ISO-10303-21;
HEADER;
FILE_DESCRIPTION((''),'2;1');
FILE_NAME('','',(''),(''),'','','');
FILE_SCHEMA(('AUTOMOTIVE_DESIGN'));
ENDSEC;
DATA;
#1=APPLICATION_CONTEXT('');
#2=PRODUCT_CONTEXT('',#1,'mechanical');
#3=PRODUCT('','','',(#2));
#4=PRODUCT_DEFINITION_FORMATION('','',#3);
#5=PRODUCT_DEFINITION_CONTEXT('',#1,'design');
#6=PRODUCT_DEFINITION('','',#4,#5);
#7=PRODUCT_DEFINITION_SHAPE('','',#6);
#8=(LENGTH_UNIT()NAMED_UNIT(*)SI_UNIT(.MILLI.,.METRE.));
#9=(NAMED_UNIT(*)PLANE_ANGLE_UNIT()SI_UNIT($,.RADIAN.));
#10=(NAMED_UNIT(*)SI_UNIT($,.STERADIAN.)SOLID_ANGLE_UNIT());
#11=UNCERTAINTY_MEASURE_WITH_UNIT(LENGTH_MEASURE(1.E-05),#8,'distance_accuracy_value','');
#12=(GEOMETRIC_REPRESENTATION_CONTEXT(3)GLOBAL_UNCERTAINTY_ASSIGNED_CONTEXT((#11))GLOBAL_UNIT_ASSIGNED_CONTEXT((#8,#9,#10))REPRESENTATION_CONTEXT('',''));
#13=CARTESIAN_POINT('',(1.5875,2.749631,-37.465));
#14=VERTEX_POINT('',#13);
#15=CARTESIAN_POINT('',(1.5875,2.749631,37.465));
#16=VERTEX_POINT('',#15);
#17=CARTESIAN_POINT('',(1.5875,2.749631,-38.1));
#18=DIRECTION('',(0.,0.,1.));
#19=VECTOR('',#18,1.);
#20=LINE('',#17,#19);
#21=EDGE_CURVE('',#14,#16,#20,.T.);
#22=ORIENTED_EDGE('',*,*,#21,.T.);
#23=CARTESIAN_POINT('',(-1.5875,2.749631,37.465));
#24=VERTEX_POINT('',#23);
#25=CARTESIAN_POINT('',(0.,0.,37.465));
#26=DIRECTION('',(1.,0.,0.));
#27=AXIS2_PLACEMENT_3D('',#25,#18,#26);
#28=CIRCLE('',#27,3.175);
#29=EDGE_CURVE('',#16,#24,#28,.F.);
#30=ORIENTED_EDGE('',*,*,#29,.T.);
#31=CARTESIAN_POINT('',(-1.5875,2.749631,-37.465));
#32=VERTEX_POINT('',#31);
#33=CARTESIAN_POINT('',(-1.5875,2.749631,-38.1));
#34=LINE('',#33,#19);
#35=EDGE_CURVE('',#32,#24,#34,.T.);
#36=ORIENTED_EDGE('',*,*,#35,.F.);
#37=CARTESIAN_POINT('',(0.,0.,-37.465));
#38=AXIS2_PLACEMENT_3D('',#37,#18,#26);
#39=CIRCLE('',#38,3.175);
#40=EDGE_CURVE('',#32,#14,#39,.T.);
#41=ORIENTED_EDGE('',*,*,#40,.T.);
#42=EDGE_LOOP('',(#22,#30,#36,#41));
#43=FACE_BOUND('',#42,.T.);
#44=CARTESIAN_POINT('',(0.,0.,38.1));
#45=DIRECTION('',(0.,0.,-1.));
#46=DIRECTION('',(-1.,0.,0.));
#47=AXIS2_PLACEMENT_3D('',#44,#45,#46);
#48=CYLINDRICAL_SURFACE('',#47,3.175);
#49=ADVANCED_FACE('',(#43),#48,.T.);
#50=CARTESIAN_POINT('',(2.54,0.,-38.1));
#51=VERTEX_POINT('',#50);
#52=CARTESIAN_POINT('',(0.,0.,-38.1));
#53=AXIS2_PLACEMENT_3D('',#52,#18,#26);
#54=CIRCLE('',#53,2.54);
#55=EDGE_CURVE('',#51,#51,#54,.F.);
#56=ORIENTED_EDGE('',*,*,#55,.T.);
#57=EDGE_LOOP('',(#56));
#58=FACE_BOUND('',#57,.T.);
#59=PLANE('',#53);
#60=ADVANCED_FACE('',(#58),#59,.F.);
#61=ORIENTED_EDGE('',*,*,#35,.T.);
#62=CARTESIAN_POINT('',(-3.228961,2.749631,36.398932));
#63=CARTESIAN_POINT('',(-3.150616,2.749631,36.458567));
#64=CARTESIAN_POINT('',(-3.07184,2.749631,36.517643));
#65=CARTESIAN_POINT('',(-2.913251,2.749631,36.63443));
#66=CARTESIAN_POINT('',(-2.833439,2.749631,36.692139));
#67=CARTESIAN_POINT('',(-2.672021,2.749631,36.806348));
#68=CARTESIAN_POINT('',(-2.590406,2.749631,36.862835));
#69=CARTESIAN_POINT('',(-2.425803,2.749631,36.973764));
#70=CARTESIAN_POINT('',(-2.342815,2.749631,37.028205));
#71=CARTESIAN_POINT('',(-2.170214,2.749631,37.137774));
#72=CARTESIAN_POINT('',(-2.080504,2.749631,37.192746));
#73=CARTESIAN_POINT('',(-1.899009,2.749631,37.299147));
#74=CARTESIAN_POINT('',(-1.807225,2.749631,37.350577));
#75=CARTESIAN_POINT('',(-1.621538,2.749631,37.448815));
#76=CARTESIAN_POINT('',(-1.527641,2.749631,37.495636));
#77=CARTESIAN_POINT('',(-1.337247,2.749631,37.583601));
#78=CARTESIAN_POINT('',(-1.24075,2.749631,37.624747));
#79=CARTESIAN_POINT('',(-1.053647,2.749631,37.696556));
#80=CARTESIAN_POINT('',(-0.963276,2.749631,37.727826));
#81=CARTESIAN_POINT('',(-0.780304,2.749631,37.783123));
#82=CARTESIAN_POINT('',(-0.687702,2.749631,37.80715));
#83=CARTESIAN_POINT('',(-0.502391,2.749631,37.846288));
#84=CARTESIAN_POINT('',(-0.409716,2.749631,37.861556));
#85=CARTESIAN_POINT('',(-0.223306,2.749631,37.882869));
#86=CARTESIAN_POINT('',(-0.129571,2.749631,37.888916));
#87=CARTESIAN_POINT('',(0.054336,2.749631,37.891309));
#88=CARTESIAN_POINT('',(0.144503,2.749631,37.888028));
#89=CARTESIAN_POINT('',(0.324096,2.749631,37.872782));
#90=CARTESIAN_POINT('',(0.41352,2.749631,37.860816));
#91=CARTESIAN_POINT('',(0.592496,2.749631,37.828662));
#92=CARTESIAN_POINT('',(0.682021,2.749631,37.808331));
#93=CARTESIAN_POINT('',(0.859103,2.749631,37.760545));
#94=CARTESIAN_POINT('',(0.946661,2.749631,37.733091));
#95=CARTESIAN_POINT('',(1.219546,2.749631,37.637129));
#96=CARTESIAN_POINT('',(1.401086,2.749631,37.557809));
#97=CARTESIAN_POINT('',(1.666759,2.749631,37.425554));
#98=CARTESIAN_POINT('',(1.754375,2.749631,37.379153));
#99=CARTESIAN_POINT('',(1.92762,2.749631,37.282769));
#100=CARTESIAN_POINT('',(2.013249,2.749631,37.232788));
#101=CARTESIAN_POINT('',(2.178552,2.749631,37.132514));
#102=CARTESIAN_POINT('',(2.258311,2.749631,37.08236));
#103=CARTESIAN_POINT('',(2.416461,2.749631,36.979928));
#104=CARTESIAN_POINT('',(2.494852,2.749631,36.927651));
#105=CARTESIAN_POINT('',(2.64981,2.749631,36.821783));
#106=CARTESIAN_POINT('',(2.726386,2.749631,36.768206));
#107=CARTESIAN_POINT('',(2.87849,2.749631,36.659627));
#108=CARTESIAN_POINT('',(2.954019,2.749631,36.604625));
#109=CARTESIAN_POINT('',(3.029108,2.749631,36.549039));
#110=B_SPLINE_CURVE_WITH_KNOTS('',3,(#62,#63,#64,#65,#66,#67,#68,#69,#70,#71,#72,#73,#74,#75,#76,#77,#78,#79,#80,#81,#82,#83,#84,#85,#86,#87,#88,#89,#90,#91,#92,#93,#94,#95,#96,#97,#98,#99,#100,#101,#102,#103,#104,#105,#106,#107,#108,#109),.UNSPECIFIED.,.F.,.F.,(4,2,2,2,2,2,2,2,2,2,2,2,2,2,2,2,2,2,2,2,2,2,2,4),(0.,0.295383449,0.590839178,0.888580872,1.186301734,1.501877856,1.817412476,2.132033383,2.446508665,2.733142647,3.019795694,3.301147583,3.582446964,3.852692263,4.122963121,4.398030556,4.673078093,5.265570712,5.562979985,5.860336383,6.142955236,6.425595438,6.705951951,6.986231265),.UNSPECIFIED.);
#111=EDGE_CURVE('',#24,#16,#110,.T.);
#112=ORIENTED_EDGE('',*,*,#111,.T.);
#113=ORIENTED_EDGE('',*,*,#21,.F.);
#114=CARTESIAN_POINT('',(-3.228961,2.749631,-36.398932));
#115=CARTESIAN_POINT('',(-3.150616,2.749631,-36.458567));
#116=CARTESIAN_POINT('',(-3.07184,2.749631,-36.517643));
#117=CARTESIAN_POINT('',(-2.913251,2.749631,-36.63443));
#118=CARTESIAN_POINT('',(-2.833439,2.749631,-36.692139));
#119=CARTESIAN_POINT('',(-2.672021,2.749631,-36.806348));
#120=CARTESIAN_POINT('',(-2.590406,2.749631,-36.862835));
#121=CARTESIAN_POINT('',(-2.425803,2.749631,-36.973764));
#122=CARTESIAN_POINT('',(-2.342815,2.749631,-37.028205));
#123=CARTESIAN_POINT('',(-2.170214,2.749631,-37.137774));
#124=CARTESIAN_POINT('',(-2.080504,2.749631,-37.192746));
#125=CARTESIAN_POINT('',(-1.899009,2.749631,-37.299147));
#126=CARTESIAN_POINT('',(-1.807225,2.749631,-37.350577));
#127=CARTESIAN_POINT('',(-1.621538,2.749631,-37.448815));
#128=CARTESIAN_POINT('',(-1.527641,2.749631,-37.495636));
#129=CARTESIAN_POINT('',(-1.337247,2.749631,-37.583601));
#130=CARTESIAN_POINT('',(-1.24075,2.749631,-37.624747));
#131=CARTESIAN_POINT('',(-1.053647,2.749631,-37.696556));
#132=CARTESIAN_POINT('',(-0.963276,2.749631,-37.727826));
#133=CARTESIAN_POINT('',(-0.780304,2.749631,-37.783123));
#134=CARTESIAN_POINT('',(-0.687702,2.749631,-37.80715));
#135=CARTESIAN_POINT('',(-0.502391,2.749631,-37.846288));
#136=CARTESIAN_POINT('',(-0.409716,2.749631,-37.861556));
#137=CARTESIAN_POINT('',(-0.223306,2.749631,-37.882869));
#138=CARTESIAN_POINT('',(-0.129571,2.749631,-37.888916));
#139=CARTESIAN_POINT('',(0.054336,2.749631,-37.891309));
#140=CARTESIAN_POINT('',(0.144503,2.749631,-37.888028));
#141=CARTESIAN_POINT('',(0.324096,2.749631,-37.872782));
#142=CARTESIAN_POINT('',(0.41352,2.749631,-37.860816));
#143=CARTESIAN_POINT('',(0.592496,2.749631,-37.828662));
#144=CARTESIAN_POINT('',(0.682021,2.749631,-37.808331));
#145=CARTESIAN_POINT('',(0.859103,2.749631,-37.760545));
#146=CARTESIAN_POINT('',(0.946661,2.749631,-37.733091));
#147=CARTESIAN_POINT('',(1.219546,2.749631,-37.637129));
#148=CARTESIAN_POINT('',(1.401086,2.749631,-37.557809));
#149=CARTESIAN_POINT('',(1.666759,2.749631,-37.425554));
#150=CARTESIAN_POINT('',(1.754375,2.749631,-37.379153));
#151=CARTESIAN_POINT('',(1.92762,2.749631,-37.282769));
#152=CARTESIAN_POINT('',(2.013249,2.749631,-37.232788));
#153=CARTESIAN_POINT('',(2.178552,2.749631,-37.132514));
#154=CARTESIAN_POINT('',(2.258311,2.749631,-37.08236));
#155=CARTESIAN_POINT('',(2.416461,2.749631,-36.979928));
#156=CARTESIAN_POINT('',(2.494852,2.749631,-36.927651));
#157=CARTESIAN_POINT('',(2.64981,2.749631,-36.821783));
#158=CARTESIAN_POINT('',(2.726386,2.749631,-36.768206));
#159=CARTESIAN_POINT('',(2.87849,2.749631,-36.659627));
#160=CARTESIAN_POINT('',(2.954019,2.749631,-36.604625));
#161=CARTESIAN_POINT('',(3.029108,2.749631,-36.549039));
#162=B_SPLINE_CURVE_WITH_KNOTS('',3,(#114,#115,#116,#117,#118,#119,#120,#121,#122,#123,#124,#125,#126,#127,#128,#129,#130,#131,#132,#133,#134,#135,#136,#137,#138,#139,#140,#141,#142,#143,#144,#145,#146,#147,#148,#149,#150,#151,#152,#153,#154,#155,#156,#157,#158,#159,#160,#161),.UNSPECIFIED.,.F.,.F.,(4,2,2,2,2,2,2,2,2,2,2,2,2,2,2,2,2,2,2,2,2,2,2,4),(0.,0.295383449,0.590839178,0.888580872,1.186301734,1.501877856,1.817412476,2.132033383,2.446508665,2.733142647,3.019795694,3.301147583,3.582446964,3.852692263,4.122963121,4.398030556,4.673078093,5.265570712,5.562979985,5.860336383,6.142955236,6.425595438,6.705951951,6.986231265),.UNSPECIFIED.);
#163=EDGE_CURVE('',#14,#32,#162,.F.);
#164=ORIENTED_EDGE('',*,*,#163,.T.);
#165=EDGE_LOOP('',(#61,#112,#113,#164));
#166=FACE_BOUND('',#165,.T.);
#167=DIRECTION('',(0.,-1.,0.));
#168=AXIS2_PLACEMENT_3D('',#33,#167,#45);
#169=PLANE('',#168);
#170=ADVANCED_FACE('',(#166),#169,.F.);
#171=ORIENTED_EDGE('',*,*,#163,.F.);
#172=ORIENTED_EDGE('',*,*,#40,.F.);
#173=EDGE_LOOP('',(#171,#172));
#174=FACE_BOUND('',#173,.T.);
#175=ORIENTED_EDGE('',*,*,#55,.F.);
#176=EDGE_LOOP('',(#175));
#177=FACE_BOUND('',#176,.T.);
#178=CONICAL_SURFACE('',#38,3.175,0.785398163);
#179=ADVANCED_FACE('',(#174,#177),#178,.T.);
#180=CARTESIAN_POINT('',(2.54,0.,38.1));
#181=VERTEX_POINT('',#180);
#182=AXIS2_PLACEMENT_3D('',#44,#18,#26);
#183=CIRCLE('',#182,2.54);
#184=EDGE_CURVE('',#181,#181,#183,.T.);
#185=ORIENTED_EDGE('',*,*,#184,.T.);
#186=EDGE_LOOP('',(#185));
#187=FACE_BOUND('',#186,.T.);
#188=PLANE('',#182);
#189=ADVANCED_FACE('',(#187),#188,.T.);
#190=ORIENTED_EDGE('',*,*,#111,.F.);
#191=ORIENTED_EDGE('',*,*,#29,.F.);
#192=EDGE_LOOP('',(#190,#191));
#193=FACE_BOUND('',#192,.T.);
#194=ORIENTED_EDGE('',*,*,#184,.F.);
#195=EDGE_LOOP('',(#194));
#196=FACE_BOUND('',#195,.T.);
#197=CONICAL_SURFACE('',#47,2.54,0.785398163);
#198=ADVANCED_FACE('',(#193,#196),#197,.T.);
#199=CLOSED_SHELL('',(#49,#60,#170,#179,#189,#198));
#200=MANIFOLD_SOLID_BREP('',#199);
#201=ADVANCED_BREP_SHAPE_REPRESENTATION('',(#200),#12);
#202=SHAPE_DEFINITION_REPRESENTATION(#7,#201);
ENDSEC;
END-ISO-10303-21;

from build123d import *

# Parameters (mm, degrees)
SKETCH1_R           = 3.175
EXTRUDE1_DEPTH      = 38.1
CHAMFER1_SIZE       = 0.635
EXTRUDE7_DEPTH      = 39.363670966
EXTRUDE7_DEPTH_BACK = 39.363670966


with BuildPart() as part:
    # Sketch1 → Extrude1 (new, symmetric)
    with BuildSketch(Plane.XY):
        with Locations(Location((0, 0, 0), (0, 0, 180))):
            Circle(SKETCH1_R)
    extrude(amount=EXTRUDE1_DEPTH, both=True)

    # Chamfer1
    chamfer1_edges = [part.edges().sort_by_distance(p)[0] for p in [
        (3.175, 0, -38.1),
        (3.175, 0, 38.1),
    ]]
    chamfer(chamfer1_edges, length=CHAMFER1_SIZE)

    # Sketch13 → Extrude7 (cut, two sides: drawn at the far end of the back side and taken through both)
    with BuildSketch(Plane.XY.offset(-EXTRUDE7_DEPTH_BACK)):
        with BuildLine():
            Line((-1.5875, 2.749630657), (1.5875, 2.749630657))
            ThreePointArc((1.5875, 2.749630657), (0, 3.175), (-1.5875, 2.749630657))
        make_face()
    extrude(amount=EXTRUDE7_DEPTH + EXTRUDE7_DEPTH_BACK, mode=Mode.SUBTRACT)


solid = part.part
